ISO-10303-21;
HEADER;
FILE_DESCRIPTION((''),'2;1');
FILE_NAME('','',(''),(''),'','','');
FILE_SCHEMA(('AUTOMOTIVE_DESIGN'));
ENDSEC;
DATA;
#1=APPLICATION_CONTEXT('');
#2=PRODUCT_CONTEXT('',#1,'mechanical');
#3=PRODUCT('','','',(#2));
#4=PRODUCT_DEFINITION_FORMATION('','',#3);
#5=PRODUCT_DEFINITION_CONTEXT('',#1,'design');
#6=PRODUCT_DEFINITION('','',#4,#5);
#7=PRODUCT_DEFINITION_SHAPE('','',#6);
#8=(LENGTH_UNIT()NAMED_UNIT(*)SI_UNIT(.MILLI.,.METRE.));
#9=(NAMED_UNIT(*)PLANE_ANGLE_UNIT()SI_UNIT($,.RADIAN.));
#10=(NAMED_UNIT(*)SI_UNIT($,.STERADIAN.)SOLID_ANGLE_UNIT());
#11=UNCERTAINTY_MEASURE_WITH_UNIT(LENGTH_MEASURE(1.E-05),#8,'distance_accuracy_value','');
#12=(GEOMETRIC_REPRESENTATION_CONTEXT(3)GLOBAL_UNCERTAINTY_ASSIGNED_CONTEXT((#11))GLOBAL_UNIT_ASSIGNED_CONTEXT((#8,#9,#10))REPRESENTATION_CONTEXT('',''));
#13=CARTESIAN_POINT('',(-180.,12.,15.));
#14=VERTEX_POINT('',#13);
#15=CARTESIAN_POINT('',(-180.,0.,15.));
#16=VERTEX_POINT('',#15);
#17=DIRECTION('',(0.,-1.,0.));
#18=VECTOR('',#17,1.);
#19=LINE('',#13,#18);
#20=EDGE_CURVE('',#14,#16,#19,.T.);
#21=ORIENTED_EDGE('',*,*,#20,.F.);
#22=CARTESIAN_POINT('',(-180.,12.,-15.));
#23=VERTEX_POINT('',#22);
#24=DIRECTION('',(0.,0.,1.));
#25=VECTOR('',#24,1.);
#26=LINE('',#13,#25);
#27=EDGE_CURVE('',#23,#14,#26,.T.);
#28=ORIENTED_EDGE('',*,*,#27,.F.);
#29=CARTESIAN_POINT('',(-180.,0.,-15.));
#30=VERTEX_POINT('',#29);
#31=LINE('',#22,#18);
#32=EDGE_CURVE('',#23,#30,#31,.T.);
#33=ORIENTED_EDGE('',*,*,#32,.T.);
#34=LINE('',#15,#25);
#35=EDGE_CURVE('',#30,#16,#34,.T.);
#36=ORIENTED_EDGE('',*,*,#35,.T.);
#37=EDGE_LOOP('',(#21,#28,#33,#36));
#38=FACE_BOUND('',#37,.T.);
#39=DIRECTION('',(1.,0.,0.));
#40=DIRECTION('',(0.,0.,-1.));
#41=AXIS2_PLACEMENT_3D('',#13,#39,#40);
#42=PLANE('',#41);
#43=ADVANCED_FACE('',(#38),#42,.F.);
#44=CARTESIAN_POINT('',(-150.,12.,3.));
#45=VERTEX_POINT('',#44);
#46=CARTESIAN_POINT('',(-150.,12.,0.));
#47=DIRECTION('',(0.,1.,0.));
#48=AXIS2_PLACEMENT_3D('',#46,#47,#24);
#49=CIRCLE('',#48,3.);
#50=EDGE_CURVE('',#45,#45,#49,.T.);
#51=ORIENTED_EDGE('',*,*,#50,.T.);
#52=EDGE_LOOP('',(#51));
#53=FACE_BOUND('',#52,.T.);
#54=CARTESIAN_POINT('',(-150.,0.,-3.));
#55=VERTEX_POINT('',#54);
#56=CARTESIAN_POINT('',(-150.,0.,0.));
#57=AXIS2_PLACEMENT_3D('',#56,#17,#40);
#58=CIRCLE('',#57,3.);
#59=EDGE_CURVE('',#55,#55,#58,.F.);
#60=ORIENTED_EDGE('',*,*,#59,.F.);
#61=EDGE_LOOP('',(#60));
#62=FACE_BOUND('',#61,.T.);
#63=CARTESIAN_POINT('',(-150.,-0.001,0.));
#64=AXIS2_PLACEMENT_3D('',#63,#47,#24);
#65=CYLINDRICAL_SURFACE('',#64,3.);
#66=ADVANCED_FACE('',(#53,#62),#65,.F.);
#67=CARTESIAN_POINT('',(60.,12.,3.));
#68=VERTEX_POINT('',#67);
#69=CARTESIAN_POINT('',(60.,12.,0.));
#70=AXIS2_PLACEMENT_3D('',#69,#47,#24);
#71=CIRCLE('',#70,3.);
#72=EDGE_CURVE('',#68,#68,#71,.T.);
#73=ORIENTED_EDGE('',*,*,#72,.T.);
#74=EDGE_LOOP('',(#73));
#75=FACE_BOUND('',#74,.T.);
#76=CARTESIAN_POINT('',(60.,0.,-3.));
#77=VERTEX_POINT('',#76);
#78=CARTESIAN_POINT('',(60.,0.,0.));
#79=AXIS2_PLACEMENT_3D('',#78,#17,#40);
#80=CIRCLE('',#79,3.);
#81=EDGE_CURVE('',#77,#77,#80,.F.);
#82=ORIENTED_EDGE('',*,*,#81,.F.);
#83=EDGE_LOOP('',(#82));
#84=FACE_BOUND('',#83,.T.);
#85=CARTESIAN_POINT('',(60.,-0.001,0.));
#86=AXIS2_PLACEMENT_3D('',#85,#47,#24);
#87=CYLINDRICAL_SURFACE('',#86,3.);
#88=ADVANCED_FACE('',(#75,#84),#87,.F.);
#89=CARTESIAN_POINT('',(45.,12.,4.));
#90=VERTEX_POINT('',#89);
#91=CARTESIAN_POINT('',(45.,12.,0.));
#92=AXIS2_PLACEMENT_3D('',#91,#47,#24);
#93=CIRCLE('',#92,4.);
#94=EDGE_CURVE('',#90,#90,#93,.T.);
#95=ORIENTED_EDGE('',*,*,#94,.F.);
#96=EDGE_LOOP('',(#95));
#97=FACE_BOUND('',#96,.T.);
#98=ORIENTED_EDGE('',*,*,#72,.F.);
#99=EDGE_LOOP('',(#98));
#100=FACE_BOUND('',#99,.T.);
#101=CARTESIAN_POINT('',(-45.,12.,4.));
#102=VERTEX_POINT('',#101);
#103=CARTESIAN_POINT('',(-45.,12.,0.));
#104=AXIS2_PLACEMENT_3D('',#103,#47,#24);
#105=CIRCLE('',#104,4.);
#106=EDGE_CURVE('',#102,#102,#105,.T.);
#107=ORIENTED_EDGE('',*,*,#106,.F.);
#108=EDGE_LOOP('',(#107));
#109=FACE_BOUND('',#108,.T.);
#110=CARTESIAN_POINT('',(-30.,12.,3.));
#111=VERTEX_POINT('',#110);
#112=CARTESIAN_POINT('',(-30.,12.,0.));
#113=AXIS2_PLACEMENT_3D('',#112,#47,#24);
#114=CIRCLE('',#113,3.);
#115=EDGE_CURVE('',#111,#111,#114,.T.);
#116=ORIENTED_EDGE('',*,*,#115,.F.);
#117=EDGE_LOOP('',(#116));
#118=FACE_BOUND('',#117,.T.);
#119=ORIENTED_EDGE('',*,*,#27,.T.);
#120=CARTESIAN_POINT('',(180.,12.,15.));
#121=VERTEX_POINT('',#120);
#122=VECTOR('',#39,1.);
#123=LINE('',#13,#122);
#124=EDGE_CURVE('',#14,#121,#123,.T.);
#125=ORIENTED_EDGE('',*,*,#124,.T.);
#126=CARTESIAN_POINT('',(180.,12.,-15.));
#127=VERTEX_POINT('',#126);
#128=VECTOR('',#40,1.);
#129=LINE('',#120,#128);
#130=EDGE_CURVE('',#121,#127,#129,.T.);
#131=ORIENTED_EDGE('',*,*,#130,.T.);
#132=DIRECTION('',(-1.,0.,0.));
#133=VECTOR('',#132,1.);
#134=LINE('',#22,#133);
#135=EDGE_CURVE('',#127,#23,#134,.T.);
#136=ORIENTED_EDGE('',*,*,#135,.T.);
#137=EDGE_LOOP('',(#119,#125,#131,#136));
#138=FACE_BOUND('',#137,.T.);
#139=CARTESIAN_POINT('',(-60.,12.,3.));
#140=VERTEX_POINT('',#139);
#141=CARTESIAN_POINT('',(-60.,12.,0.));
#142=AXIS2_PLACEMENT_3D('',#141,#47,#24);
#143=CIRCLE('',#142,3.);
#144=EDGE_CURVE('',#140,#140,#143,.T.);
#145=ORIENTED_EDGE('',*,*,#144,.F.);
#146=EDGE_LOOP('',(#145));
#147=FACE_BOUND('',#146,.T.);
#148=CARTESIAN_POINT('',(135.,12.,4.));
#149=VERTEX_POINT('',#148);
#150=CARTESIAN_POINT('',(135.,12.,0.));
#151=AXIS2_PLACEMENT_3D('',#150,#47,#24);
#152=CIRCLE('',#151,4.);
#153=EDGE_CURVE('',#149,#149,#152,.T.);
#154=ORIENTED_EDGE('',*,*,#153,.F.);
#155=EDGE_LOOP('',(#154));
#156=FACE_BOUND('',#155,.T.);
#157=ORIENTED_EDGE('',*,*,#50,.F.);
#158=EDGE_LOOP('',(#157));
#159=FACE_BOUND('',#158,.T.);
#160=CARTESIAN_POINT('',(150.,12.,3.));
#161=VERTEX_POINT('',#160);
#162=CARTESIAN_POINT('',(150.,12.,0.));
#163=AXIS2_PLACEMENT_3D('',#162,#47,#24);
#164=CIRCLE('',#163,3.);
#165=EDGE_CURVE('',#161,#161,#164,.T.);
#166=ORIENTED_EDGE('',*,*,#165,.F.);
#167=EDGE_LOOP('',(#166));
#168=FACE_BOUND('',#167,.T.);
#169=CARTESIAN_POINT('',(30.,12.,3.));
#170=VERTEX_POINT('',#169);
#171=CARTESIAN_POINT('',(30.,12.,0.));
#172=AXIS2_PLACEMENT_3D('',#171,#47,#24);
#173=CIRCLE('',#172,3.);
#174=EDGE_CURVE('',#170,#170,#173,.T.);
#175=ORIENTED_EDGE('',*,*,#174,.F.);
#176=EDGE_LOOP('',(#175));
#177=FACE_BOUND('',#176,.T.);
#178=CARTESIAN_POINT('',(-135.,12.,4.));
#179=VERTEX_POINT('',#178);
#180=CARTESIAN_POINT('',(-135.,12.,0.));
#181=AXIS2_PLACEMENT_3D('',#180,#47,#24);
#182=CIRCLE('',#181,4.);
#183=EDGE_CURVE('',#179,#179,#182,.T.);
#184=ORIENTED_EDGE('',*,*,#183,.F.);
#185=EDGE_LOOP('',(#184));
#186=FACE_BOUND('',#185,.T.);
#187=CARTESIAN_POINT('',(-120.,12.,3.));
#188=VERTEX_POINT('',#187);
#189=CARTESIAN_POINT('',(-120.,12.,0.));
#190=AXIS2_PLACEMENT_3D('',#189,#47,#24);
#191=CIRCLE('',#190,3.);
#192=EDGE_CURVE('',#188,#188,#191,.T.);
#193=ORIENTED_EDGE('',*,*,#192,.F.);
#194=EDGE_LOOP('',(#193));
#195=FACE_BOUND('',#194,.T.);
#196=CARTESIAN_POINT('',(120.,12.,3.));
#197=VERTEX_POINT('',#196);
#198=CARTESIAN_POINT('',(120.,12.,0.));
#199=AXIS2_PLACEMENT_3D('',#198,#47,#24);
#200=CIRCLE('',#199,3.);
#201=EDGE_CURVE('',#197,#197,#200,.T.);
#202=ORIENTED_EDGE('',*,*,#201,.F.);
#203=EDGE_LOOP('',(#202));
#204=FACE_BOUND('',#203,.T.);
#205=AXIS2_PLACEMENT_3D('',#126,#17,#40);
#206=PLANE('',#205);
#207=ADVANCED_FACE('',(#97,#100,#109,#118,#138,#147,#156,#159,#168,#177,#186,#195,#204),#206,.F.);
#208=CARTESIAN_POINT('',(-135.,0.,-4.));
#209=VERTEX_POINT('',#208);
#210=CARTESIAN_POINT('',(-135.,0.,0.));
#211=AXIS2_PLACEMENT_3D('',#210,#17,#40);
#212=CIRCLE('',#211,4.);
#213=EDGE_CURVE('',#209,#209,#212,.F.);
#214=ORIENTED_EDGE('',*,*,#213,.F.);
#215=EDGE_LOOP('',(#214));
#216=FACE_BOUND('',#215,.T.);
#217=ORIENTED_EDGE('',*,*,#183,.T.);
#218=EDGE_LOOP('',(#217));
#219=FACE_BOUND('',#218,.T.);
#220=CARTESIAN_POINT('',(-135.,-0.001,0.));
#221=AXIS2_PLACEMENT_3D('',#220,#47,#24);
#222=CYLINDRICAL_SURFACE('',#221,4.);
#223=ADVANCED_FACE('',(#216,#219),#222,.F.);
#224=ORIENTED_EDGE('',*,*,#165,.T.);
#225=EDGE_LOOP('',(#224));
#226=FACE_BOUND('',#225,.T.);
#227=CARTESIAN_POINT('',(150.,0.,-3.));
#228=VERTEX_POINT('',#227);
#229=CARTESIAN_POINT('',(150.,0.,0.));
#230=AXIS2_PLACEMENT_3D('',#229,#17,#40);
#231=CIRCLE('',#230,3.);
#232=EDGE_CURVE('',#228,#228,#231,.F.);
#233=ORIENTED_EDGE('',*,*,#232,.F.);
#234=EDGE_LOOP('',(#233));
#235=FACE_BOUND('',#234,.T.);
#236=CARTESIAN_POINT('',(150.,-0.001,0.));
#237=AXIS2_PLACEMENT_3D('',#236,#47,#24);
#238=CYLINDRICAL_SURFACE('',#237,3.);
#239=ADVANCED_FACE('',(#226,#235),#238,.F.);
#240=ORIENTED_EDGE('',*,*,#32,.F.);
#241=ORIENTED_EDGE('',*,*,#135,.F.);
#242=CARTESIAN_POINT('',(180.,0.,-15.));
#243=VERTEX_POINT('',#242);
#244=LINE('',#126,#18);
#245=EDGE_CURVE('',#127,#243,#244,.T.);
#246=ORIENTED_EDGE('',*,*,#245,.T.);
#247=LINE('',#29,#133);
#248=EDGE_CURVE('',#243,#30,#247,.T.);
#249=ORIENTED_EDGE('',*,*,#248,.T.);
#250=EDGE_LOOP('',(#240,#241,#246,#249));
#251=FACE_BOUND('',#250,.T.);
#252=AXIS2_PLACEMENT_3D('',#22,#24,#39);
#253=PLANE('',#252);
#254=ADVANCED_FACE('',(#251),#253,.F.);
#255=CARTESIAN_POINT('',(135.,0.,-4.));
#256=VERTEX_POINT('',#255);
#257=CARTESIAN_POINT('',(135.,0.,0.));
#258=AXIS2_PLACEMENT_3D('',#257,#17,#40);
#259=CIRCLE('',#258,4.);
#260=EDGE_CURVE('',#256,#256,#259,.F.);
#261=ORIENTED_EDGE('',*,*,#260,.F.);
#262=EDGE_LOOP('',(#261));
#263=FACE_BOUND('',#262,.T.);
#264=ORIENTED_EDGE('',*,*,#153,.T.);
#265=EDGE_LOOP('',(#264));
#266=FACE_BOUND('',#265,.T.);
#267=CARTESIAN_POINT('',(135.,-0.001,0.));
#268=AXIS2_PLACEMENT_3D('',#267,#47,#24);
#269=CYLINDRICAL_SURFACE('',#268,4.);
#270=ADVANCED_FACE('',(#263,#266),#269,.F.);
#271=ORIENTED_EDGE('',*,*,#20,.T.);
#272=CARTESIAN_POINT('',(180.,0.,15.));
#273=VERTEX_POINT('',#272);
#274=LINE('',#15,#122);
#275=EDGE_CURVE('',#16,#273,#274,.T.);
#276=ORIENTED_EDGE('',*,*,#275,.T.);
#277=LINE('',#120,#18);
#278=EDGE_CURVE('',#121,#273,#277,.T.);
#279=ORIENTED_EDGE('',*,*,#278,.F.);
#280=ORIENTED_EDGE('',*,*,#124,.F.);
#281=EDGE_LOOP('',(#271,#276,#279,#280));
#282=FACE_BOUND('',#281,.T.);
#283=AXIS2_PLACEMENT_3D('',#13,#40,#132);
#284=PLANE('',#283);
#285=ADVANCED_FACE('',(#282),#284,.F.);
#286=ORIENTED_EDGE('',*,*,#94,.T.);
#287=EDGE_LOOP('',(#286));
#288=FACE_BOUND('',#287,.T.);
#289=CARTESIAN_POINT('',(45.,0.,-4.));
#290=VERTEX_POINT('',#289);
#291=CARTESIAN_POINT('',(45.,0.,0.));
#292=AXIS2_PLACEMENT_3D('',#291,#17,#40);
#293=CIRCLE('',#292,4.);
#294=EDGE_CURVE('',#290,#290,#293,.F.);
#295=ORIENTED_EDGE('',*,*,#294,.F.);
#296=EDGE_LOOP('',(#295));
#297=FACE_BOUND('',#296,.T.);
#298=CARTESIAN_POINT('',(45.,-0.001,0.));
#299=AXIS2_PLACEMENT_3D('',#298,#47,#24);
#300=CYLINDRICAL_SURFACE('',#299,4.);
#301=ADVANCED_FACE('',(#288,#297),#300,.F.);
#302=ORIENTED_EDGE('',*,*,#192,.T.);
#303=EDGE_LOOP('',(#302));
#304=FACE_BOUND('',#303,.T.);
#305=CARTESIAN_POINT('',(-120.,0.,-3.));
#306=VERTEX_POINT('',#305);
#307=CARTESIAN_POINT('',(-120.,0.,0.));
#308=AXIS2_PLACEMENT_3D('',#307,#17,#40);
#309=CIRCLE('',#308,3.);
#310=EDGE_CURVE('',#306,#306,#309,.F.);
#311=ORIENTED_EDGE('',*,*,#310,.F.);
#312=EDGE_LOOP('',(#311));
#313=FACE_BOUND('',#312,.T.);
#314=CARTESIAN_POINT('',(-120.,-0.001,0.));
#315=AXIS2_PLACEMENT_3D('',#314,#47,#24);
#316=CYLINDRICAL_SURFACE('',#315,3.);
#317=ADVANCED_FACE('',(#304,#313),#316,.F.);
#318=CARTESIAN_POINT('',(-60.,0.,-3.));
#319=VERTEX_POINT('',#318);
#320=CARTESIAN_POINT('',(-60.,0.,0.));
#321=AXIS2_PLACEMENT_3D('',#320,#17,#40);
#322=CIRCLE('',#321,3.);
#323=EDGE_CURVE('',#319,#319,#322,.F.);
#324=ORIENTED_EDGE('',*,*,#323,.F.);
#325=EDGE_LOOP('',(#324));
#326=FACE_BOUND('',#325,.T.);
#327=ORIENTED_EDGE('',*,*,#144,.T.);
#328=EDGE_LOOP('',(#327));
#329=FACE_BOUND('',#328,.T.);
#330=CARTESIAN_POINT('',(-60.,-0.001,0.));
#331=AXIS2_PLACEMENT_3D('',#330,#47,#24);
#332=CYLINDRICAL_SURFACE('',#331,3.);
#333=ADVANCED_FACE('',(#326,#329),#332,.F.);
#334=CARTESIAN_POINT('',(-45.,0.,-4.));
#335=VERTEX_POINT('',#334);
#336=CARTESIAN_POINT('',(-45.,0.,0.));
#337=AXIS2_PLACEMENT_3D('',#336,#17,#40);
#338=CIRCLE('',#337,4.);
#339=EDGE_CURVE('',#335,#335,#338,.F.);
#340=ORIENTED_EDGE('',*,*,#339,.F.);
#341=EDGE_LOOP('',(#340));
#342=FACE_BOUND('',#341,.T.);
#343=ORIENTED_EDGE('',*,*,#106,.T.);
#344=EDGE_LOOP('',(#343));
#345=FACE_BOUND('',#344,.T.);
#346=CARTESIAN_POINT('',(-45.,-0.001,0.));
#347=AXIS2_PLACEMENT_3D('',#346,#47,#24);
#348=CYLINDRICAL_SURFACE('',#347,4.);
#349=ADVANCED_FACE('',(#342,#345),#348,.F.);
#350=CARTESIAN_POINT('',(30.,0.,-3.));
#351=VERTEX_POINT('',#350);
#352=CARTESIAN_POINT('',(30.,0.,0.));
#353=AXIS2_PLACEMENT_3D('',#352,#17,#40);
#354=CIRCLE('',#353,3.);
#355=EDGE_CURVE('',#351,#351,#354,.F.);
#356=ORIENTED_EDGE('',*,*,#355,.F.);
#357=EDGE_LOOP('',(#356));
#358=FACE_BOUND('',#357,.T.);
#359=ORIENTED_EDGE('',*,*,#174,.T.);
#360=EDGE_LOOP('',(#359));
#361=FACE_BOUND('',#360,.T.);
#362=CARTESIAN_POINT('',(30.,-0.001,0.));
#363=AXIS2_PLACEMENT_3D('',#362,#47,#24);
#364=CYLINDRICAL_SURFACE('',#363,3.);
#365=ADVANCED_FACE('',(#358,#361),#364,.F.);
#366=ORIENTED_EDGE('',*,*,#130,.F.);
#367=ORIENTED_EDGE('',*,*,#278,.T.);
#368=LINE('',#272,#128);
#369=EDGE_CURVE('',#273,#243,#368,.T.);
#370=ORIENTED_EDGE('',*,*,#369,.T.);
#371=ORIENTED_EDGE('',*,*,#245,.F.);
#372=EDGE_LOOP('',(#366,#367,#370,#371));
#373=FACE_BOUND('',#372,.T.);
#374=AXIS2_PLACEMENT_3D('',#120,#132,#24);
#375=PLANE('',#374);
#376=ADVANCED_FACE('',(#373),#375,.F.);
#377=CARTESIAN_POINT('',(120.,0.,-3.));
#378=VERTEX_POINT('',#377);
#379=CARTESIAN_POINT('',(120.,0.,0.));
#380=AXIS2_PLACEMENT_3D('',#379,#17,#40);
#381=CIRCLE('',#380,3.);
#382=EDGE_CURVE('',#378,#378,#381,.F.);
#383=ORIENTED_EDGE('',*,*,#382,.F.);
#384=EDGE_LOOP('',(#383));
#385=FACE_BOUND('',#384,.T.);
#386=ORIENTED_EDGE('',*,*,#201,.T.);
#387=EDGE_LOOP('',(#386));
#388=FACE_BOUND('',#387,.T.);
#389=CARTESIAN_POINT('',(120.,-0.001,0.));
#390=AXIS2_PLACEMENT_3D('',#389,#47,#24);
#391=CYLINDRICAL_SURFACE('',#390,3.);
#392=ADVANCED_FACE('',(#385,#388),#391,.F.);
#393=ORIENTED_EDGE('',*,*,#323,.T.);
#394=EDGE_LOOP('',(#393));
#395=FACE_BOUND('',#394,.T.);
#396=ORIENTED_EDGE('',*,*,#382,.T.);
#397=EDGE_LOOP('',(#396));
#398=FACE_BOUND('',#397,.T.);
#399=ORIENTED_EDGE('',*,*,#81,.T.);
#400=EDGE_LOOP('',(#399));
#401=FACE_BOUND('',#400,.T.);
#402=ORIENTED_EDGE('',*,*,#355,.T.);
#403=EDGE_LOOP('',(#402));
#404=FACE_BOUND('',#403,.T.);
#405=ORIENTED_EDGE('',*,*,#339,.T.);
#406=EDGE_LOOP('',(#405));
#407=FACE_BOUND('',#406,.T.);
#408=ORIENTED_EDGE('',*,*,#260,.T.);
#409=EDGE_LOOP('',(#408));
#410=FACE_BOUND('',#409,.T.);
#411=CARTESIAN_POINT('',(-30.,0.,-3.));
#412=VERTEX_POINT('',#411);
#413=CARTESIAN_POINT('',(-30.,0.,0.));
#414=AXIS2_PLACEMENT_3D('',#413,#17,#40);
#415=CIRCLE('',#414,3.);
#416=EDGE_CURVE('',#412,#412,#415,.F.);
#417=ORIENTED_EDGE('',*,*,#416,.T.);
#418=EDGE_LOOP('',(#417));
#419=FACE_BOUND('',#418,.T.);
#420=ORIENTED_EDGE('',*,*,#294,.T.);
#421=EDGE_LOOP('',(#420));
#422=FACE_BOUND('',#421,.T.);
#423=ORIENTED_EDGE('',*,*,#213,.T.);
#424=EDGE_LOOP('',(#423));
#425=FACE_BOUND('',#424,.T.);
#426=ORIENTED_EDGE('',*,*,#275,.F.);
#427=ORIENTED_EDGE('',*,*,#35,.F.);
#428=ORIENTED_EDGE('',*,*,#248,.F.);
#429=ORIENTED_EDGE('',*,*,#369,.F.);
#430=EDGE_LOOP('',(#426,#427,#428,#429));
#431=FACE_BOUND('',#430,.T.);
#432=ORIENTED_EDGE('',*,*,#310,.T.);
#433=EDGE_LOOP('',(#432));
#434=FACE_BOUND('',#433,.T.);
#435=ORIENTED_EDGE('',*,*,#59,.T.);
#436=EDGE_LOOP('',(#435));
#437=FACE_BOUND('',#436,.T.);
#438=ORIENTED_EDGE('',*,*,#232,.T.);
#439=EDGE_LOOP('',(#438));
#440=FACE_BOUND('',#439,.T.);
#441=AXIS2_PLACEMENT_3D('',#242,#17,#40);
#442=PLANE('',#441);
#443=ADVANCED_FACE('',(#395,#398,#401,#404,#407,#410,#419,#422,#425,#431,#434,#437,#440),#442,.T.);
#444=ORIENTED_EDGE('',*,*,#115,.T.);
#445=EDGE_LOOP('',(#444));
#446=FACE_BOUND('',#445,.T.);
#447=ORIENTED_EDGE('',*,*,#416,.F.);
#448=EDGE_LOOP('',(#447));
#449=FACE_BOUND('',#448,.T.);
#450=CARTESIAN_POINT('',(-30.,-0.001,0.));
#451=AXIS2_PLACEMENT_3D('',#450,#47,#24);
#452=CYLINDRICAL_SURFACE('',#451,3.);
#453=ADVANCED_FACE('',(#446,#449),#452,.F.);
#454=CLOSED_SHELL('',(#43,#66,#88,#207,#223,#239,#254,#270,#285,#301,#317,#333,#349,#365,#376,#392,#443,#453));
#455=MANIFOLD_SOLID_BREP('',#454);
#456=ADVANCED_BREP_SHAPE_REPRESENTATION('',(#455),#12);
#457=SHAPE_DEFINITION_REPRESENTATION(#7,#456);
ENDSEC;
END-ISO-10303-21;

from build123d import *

# Parameters (mm, degrees)
SKETCH1_W           = 360
SKETCH1_H           = 30
BOSS_EXTRUDE1_DEPTH = 12
CUT_EXTRUDE1_REACH  = 183.022
SKETCH2_R           = 3
SKETCH2_R_2         = 4
LPATTERN1_COUNT     = 4
LPATTERN1_PITCH     = 90


with BuildPart() as part:
    # Sketch1 → Boss-Extrude1 (new body)
    with BuildSketch(Plane(origin=(0, 0, 0), x_dir=(1, 0, 0), z_dir=(0, 1, 0))):
        Rectangle(SKETCH1_W, SKETCH1_H)
    extrude(amount=BOSS_EXTRUDE1_DEPTH)

    # Sketch2 → Cut-Extrude1 (cut, up to next)
    with BuildSketch(Plane(origin=(0, 12, 0), x_dir=(1, 0, 0), z_dir=(0, 1, 0)), mode=Mode.PRIVATE) as cut_extrude1_sk1:
        with Locations(Location((-150, 0, 0), (0, 0, 270))):
            Circle(SKETCH2_R)
    cut_extrude1_tool1 = extrude(cut_extrude1_sk1.sketch, amount=-CUT_EXTRUDE1_REACH, mode=Mode.PRIVATE) & part.part
    # Sketch2 → Cut-Extrude1 (cut, up to next)
    with BuildSketch(Plane(origin=(0, 12, 0), x_dir=(1, 0, 0), z_dir=(0, 1, 0)), mode=Mode.PRIVATE) as cut_extrude1_sk2:
        with Locations(Location((-120, 0, 0), (0, 0, 270))):
            Circle(SKETCH2_R)
    cut_extrude1_tool2 = extrude(cut_extrude1_sk2.sketch, amount=-CUT_EXTRUDE1_REACH, mode=Mode.PRIVATE) & part.part
    # Sketch2 → Cut-Extrude1 (cut, up to next)
    with BuildSketch(Plane(origin=(0, 12, 0), x_dir=(1, 0, 0), z_dir=(0, 1, 0)), mode=Mode.PRIVATE) as cut_extrude1_sk3:
        with Locations(Location((-135, 0, 0), (0, 0, 270))):
            Circle(SKETCH2_R_2)
    cut_extrude1_tool3 = extrude(cut_extrude1_sk3.sketch, amount=-CUT_EXTRUDE1_REACH, mode=Mode.PRIVATE) & part.part
    cut_extrude1_1 = cut_extrude1_tool1.solids().sort_by_distance((-150, 12, 0))[0]
    add(cut_extrude1_1, mode=Mode.SUBTRACT)
    cut_extrude1_2 = cut_extrude1_tool2.solids().sort_by_distance((-120, 12, 0))[0]
    add(cut_extrude1_2, mode=Mode.SUBTRACT)
    cut_extrude1_3 = cut_extrude1_tool3.solids().sort_by_distance((-135, 12, 0))[0]
    add(cut_extrude1_3, mode=Mode.SUBTRACT)
    cut_extrude1 = cut_extrude1_1 + cut_extrude1_2 + cut_extrude1_3  # Cut-Extrude1 as one shape, for the pattern or mirror that repeats it

    # LPattern1: Cut-Extrude1 ×4
    with Locations(*[(i * LPATTERN1_PITCH, 0, 0) for i in range(1, LPATTERN1_COUNT)]):
        add(cut_extrude1, mode=Mode.SUBTRACT)


solid = part.part
